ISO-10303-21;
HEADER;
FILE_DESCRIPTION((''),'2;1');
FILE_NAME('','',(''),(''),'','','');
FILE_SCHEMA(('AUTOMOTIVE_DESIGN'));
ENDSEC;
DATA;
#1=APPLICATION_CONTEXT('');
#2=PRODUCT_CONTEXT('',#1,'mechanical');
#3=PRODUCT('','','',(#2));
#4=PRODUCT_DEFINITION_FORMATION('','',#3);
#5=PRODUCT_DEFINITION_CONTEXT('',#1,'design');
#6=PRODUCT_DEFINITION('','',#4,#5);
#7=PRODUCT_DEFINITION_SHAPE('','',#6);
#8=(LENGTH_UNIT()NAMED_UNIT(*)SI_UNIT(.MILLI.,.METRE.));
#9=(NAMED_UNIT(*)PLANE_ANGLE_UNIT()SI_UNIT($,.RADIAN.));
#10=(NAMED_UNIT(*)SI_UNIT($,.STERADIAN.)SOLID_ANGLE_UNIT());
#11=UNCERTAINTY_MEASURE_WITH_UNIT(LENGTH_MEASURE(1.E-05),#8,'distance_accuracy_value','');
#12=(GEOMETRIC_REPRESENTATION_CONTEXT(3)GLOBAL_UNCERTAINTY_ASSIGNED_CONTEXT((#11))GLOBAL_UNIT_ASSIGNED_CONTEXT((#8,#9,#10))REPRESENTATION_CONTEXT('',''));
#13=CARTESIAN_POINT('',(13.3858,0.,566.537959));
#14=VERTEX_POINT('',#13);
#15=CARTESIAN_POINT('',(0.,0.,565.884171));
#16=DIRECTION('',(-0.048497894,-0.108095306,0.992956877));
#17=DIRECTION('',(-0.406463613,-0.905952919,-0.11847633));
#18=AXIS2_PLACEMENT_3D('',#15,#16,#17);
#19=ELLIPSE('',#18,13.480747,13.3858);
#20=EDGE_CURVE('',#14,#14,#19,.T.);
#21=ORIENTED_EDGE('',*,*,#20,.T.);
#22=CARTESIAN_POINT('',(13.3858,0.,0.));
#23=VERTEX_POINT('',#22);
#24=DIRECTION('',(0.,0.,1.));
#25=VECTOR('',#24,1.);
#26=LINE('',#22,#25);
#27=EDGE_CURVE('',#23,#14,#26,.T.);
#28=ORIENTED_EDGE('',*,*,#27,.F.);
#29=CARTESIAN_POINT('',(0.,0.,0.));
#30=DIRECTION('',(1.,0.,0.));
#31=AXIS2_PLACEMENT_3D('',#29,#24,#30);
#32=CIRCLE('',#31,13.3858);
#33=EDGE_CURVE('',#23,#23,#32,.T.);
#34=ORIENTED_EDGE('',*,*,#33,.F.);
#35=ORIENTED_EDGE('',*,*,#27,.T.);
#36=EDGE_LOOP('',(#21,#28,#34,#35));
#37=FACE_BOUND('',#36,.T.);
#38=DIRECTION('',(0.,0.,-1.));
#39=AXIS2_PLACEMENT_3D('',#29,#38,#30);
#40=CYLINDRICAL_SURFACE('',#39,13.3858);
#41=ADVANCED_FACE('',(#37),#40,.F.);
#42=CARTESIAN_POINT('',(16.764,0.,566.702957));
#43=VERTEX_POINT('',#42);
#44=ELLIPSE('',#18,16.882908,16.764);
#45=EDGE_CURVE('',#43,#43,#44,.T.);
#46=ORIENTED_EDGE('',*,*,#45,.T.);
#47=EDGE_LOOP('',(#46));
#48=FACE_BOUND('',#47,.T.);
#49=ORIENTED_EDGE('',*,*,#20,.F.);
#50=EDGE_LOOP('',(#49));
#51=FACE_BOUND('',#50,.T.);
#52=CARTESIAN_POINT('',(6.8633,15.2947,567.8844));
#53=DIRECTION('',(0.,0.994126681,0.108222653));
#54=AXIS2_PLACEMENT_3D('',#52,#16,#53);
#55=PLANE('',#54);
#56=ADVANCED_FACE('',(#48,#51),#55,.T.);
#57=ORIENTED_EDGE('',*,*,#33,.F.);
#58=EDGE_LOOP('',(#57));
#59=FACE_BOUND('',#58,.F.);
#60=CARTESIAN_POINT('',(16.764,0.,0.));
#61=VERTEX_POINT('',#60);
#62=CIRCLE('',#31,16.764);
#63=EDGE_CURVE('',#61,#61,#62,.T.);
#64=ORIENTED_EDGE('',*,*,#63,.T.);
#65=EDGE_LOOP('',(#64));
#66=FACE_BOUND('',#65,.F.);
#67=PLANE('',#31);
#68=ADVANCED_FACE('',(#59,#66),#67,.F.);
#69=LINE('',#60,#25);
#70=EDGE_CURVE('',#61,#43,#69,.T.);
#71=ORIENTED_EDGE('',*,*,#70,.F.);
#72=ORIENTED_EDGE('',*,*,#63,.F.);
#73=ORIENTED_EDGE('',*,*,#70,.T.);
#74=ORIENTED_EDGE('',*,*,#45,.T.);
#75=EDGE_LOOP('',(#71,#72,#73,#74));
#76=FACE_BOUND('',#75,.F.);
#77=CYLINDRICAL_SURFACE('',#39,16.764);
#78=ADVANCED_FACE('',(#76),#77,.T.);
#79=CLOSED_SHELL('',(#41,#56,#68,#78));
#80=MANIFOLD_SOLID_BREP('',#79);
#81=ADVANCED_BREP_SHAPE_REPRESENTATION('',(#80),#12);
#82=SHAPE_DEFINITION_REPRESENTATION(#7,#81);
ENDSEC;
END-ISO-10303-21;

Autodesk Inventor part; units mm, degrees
ref_plane "Start plane" through (0, 0, 0) normal (0, 0, 1) x (1, 0, 0)
ref_plane "End plane" through (0, 0, 568.5279) normal (0, 0, 1) x (1, 0, 0)
sketch "Sketch" plane through (0, 0, 0) normal (0, 0, 1) x (1, 0, 0)
  circle A0 centre (0, 0) radius 13.3858
  circle A1 centre (0, 0) radius 16.764
  dimension "d0" = 33.528
  dimension "d1" = 3.3782
extrude "Body" add sketch "Sketch" along normal up to surface (568.5279 mm away) from surface at 0
sketch "Sketch3" plane through (0, 0, 0) normal (0, 0, 1) x (1, 0, 0)
  line L0 (0, 0) -> (10, 0)
ref_plane "Work Plane3" through (0, 0, 0) normal (0, -1, 0) x (1, 0, 0)
ref_plane "Work Plane4" through (6.8633, 15.2947, 567.8844) normal (-0.0485, -0.1081, 0.993) x (0.9988, -0.0026, 0.0485)
split "Split1" plane through (6.8633, 15.2947, 567.8844) removes the side toward (-0.0485, -0.1081, 0.993)
sketch "Sketch4" plane through (0, 0, 0) normal (0, -1, 0) x (1, 0, 0)
  line L0 (-2, 0) -> (12, 0) projected
  line L1 (-2, 568.5279) -> (12, 568.5279) projected
  dimension "d7" = 568.5279
equation "\"d0\" = G_H"
equation "\"d1\" = G_T"
equation "\"d2\" = G_L"
equation "\"G_H\" = 33.528"
equation "\"G_T\" = 3.3782"
equation "\"G_L\" = 567.88436"
equation "\"G_OFFSET_START\" = 0"
equation "\"G_OFFSET_END\" = 2.64365"
equation "\"d5\" = G_OFFSET_END + B_L"
equation "\"B_L\" = 565.88426"
properties part number "ANSI - 1 x 0.133 - 22.358" material "Steel, Mild"
